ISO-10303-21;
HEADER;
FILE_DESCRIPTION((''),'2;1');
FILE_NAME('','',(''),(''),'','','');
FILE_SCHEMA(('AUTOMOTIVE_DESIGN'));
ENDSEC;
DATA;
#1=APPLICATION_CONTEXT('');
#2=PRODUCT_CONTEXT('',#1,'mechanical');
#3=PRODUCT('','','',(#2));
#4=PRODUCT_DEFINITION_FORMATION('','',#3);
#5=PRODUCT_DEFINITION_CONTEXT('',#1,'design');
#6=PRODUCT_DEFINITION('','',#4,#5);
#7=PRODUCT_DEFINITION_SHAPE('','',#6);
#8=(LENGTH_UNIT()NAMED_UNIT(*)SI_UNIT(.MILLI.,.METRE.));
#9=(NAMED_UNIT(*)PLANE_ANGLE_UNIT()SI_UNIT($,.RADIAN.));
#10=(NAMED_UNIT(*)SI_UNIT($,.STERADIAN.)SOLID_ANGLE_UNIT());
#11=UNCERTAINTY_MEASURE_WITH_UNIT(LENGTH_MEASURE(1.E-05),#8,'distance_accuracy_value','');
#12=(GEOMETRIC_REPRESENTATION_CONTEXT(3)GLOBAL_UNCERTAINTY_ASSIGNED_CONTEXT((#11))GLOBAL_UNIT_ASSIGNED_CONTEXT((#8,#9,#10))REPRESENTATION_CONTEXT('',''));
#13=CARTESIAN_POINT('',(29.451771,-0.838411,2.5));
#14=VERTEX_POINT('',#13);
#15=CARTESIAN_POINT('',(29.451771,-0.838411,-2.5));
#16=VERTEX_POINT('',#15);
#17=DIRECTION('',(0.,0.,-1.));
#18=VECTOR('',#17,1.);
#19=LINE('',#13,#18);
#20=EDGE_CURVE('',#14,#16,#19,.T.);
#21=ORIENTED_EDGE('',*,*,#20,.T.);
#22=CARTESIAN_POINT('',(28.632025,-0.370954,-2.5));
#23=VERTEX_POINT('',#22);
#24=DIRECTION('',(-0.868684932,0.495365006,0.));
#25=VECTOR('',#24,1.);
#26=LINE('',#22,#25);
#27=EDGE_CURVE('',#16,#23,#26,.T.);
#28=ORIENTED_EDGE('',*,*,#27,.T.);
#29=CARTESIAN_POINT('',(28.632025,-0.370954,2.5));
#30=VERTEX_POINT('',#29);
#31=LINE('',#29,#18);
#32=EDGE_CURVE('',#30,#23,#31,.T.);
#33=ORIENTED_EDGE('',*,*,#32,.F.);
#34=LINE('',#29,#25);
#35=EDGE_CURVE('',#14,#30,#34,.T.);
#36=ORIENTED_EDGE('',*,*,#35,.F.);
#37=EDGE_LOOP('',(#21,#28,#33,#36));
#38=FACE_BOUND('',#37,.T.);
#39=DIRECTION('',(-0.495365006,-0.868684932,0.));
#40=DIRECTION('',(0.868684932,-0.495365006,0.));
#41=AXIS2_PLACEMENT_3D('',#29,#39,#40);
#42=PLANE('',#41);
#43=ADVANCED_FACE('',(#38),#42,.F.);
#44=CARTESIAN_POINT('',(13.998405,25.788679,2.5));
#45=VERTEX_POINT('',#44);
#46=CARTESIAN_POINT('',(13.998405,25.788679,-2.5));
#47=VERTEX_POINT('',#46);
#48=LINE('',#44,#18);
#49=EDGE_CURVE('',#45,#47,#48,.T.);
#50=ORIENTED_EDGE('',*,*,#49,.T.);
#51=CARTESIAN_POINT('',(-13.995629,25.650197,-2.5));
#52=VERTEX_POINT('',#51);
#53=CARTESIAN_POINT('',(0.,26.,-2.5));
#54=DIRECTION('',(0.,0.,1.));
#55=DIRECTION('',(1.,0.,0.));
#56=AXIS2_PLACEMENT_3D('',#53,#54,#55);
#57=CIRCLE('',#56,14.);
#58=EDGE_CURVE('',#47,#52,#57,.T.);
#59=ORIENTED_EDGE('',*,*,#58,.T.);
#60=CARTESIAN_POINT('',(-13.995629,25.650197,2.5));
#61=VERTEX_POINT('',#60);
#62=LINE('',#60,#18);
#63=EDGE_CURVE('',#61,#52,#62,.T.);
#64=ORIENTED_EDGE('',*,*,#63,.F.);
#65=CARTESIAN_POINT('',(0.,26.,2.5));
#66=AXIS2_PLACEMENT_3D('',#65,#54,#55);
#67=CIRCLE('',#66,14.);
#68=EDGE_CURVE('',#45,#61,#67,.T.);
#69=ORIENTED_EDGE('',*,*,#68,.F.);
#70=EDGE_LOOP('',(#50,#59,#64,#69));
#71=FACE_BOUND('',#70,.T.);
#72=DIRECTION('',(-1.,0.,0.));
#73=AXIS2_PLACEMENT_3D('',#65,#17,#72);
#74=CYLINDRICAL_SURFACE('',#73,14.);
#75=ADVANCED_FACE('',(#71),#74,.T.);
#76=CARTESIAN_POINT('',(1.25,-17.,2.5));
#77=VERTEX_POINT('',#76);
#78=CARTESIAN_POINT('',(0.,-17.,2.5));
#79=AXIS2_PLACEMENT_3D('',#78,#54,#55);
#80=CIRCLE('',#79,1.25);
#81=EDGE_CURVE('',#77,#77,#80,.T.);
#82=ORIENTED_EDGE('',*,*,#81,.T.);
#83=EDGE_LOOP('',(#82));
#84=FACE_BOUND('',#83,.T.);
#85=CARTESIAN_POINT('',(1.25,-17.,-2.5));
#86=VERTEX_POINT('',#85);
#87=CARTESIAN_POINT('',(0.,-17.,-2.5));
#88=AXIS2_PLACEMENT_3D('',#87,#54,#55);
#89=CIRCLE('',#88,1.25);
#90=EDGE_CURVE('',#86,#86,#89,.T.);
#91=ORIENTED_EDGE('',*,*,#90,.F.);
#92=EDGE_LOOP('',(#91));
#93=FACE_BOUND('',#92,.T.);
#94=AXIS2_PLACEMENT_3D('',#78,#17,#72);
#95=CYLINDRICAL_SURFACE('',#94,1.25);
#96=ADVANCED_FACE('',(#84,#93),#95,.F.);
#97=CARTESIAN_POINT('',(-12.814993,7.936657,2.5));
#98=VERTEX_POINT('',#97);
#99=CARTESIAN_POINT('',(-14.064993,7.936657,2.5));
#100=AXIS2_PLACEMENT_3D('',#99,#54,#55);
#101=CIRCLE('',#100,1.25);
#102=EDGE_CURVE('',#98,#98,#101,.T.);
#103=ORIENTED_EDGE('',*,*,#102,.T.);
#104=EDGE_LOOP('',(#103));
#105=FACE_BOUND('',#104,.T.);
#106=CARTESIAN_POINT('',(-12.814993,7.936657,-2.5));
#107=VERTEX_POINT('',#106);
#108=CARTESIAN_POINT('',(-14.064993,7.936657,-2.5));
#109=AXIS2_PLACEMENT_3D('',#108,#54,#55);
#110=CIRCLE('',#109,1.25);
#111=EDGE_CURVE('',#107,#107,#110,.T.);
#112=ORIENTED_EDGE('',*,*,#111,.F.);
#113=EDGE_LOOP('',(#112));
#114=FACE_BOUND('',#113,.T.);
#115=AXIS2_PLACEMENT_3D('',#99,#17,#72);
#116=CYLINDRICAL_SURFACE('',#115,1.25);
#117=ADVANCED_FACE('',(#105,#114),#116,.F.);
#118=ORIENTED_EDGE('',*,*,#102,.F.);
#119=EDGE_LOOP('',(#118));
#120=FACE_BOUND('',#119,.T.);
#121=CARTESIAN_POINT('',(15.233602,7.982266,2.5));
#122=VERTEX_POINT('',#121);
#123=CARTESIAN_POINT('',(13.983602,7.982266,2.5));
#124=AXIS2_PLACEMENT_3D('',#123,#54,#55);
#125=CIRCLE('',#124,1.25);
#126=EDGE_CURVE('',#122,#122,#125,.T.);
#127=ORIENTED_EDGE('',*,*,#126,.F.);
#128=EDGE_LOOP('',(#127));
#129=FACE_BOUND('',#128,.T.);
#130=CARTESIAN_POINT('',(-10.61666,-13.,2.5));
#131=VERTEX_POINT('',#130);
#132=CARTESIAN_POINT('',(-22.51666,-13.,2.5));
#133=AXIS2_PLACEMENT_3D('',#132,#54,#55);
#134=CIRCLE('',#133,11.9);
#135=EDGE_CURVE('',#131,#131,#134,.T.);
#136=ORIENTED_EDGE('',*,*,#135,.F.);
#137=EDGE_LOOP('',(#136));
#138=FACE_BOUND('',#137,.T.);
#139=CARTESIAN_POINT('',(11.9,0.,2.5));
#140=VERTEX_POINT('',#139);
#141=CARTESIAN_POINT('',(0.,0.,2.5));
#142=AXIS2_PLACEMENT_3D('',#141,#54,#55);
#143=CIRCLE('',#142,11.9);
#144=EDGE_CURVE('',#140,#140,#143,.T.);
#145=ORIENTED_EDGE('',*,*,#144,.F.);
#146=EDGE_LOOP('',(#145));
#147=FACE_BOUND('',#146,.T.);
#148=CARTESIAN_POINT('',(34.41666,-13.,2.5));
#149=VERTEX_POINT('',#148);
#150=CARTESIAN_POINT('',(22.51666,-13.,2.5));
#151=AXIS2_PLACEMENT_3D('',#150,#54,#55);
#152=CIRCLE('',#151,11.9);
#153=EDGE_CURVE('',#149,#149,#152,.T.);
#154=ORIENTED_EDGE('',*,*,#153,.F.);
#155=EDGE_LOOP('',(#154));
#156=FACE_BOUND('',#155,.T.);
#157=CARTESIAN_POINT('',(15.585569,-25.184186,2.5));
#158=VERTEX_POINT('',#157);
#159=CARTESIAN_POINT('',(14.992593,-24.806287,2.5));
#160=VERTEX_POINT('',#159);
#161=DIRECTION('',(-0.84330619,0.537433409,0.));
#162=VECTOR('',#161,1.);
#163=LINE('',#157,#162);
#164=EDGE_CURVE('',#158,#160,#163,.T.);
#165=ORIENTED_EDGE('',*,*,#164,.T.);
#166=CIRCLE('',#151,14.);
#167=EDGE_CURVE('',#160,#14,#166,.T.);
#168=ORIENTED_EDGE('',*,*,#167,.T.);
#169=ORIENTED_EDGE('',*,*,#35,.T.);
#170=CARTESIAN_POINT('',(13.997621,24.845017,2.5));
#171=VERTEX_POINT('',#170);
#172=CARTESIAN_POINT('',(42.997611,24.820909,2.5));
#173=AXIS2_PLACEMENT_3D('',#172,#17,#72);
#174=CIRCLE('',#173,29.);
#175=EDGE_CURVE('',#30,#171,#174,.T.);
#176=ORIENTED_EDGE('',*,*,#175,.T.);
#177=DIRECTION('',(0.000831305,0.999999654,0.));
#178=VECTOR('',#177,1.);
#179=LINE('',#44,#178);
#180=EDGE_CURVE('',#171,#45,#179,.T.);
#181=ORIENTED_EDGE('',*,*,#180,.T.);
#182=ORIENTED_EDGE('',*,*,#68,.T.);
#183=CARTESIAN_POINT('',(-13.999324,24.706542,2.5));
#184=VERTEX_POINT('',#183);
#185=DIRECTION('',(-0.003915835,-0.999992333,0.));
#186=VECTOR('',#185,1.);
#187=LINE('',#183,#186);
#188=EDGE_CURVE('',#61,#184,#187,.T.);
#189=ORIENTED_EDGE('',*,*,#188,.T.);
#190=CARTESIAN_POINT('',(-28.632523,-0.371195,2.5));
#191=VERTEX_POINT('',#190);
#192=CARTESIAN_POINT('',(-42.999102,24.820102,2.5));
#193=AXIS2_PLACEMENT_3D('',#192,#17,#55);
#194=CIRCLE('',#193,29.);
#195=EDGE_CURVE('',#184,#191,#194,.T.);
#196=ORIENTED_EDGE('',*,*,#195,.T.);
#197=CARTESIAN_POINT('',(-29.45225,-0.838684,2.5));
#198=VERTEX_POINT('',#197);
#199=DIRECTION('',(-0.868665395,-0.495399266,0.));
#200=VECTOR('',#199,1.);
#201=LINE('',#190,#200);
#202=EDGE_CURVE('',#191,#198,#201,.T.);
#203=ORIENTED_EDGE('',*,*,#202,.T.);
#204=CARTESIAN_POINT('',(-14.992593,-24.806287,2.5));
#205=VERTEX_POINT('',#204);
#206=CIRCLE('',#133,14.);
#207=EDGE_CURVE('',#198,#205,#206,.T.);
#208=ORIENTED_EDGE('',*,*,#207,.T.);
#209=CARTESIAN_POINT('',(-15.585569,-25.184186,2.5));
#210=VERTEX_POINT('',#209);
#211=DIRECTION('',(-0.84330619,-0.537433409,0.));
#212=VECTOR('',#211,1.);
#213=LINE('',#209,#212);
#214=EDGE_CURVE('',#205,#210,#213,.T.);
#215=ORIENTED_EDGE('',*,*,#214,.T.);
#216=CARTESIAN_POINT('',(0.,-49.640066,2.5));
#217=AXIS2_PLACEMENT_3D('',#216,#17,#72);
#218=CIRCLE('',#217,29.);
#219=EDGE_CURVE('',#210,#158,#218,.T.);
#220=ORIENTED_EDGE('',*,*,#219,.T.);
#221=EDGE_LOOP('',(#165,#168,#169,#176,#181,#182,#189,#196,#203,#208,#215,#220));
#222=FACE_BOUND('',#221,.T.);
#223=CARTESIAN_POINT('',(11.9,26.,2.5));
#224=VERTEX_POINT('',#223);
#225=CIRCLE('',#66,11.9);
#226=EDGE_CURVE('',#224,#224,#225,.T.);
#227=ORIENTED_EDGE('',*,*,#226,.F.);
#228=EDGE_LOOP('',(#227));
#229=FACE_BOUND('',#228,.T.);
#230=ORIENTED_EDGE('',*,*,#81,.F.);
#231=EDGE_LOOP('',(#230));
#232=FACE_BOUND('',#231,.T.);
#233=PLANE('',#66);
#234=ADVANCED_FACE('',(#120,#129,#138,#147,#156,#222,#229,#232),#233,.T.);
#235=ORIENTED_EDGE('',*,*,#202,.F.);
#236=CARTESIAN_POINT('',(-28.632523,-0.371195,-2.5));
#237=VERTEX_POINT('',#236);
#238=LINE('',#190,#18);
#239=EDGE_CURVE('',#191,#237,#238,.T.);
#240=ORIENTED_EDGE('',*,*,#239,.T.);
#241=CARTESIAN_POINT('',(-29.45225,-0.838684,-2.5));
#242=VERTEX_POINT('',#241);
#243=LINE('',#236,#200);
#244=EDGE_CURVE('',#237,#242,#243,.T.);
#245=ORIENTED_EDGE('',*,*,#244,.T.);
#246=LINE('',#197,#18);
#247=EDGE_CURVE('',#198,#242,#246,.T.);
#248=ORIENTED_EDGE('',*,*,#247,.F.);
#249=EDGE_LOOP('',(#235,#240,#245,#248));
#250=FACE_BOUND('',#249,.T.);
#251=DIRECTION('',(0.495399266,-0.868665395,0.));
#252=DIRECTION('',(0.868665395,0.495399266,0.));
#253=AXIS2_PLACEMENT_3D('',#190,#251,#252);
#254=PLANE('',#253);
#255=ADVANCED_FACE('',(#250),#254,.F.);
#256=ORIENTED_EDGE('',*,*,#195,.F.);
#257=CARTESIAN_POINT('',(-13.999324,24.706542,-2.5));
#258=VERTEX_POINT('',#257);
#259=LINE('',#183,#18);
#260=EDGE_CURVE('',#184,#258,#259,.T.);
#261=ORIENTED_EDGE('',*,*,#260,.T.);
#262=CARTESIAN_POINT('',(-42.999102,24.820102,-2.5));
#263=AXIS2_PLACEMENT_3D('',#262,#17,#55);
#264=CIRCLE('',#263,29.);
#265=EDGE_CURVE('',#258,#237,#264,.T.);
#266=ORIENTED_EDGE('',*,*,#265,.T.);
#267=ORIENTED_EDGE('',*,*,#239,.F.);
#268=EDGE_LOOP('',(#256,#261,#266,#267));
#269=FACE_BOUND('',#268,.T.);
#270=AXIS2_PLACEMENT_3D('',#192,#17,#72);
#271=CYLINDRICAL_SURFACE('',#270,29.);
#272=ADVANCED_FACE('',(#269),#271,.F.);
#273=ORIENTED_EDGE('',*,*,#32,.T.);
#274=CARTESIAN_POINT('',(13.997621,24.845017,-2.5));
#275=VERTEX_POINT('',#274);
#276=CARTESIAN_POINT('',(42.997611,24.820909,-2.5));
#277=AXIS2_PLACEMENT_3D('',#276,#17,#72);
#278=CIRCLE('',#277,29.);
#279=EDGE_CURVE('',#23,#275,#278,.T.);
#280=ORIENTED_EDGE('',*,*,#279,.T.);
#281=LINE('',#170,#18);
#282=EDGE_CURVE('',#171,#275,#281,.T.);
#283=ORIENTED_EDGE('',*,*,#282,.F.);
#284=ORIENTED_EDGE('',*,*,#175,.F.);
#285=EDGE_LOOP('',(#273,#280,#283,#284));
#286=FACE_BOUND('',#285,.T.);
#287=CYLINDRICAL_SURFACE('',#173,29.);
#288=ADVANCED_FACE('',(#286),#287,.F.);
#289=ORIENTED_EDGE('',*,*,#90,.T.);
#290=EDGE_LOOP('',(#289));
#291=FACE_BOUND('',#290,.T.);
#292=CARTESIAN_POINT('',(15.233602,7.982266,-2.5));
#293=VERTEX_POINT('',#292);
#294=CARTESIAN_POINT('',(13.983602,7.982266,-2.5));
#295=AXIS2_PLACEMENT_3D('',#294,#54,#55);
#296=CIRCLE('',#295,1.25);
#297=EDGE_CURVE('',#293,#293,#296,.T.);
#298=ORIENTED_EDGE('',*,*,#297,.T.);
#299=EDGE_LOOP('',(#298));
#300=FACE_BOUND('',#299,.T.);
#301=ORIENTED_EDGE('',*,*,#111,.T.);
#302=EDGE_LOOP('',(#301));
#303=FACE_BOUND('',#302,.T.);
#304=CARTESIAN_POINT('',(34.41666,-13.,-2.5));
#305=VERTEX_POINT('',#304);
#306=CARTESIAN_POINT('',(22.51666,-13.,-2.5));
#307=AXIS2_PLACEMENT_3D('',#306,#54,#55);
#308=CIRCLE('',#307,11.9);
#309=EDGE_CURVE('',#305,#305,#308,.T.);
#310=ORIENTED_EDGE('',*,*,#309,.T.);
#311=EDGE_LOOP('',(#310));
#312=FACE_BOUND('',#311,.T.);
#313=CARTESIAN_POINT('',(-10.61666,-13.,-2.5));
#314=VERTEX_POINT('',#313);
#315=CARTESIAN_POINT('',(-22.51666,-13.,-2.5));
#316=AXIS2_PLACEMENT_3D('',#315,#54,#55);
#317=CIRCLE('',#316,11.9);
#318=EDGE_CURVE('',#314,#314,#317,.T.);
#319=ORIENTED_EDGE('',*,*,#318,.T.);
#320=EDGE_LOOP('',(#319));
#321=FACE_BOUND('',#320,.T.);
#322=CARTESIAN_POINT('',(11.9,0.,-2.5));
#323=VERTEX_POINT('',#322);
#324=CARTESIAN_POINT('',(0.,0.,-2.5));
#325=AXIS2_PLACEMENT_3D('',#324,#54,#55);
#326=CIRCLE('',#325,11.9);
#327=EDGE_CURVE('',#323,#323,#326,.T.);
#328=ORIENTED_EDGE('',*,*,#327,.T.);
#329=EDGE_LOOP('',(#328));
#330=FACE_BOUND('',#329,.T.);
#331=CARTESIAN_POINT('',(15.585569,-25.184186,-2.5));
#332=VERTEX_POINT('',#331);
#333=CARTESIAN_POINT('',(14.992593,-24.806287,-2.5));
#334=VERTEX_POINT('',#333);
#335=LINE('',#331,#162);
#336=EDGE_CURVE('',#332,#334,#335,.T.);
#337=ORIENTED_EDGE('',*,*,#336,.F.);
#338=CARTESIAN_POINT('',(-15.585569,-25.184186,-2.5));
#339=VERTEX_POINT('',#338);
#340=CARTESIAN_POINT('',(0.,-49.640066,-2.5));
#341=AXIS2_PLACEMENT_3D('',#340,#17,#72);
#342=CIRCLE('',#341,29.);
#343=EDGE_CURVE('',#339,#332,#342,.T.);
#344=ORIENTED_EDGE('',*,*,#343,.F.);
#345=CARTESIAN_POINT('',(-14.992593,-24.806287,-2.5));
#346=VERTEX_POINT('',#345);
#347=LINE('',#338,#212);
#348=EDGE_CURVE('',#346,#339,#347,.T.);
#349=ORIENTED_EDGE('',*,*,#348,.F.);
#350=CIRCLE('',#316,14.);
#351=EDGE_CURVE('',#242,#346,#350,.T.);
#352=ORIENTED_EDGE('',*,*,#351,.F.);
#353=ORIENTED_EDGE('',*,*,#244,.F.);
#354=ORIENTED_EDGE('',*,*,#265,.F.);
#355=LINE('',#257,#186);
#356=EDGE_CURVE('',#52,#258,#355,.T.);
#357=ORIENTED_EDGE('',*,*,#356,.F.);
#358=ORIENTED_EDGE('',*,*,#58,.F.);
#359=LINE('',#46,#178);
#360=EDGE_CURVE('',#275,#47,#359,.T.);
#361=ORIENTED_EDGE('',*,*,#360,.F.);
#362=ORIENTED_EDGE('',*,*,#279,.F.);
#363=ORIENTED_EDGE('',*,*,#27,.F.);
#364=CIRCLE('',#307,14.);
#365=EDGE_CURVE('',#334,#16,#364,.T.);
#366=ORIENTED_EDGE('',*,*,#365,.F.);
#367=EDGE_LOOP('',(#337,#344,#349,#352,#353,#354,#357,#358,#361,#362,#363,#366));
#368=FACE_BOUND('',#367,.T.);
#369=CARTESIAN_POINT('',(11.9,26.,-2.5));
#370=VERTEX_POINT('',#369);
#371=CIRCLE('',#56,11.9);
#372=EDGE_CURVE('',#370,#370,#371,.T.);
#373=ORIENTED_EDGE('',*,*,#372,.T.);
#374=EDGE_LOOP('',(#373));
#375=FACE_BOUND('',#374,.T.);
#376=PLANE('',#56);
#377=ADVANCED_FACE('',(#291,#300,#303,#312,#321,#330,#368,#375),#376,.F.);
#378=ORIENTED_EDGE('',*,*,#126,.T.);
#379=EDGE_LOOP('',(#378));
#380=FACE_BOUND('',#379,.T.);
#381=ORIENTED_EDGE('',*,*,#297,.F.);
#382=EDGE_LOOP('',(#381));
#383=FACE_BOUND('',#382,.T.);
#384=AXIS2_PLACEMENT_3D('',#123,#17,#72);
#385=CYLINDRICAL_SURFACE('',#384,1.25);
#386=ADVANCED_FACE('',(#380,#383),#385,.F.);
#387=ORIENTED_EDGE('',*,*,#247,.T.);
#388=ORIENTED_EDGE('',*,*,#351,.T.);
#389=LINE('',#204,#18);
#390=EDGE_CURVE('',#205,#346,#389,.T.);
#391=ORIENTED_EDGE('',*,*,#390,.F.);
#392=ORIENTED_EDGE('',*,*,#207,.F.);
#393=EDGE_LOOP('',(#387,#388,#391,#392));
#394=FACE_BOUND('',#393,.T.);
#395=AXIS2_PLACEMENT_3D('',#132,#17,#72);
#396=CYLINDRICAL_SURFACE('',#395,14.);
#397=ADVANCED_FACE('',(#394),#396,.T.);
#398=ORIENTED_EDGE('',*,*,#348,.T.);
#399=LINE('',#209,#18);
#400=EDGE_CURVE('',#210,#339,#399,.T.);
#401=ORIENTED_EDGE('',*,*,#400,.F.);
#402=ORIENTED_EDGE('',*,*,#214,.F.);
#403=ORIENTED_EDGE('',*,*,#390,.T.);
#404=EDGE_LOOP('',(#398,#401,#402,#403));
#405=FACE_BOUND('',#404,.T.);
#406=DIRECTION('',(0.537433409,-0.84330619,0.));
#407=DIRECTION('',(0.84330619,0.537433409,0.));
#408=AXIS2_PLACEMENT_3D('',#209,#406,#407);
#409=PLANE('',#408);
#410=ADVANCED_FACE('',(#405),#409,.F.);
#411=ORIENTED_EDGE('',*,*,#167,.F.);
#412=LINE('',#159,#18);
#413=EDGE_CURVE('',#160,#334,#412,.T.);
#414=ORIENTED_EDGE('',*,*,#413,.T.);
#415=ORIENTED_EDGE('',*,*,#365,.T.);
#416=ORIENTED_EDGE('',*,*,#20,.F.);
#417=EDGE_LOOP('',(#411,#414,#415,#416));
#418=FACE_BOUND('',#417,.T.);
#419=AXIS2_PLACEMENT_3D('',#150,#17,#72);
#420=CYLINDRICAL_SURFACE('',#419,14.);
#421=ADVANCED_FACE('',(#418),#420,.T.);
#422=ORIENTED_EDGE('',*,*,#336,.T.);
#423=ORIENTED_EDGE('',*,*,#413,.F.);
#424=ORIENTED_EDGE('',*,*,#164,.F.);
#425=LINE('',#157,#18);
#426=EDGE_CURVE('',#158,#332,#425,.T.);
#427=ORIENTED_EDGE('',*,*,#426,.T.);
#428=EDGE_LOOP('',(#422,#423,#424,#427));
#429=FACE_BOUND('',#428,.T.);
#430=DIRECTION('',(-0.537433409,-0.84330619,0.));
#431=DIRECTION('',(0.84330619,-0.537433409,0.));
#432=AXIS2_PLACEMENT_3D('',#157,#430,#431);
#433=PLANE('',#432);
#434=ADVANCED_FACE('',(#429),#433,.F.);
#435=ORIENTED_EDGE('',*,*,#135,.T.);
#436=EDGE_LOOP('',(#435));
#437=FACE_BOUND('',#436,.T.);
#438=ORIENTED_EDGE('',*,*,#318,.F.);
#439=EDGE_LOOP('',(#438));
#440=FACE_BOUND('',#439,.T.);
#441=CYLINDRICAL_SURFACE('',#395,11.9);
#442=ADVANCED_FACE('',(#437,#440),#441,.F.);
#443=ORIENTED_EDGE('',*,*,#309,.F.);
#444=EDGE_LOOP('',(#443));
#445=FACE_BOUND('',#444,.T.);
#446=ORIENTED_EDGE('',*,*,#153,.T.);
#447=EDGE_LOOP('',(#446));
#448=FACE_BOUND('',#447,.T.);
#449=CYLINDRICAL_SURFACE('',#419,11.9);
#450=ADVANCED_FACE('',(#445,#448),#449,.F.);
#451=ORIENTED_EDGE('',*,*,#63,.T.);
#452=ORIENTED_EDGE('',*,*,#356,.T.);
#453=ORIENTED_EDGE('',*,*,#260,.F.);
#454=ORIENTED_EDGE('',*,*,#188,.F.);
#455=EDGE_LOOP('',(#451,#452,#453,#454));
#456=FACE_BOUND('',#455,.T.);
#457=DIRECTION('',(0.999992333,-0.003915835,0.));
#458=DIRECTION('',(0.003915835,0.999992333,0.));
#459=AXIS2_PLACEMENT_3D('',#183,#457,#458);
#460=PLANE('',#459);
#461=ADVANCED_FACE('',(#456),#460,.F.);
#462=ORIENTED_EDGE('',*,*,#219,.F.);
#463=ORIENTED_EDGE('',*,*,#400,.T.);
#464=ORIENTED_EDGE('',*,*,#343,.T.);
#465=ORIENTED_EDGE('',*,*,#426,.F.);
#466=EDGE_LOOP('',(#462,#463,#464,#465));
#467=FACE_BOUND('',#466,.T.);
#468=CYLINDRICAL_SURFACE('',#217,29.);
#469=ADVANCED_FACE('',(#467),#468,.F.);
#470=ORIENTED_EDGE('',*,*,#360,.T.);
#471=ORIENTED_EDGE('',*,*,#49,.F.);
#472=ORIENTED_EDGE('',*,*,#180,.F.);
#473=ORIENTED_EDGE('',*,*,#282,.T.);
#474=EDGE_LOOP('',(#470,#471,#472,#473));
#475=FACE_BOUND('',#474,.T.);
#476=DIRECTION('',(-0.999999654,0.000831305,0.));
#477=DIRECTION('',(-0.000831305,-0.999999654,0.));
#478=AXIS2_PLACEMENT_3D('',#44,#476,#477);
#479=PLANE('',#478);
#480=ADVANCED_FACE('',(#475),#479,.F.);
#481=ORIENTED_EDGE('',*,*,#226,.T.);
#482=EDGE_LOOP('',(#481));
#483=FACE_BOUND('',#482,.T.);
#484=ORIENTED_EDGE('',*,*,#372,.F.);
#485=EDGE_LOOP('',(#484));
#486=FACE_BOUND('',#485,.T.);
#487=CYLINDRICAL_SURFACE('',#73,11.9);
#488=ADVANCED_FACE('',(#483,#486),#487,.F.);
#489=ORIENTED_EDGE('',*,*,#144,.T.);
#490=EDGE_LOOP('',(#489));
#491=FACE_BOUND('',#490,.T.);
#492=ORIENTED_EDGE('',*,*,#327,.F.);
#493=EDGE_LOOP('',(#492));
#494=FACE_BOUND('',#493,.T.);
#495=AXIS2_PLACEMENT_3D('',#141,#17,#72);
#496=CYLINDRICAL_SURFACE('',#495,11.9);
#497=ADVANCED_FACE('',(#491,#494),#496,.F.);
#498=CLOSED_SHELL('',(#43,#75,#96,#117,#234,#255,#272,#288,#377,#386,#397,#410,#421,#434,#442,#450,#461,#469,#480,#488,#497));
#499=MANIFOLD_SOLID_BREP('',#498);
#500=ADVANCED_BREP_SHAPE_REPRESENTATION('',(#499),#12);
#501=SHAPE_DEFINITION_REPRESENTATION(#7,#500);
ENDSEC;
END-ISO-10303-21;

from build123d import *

# Parameters (mm, degrees)
SKETCH1_R           = 11.9
SKETCH1_R_2         = 1.25
BOSS_EXTRUDE1_DEPTH = 2.5


with BuildPart() as part:
    # Sketch1 → Boss-Extrude1 (new, symmetric)
    with BuildSketch(Plane.XY):
        with BuildLine():
            Line((13.998405034, 25.788679153), (13.997620563, 24.84501718))
            ThreePointArc((13.997620563, 24.84501718), (17.915653408, 10.264281088), (28.632025365, -0.370953675))
            Line((28.632025365, -0.370953675), (29.451770584, -0.838410955))
            ThreePointArc((29.451770584, -0.838410955), (34.50421589, -20.231771272), (14.992592767, -24.806286663))
            Line((14.992592767, -24.806286663), (15.585568871, -25.184186379))
            ThreePointArc((15.585568871, -25.184186379), (0, -20.640065896), (-15.585568871, -25.184186379))
            Line((-15.585568871, -25.184186379), (-14.992592767, -24.806286663))
            ThreePointArc((-14.992592767, -24.806286663), (-34.504073282, -20.232007658), (-29.452250217, -0.838684477))
            Line((-29.452250217, -0.838684477), (-28.632523434, -0.371194867))
            ThreePointArc((-28.632523434, -0.371194867), (-17.951478652, 10.204474397), (-13.999324478, 24.706542367))
            Line((-13.999324478, 24.706542367), (-13.995629252, 25.650197431))
            ThreePointArc((-13.995629252, 25.650197431), (-0.069254769, 39.999828705), (13.998405034, 25.788679153))
        make_face()
        Circle(SKETCH1_R, mode=Mode.SUBTRACT)
        with Locations((0, 26)):
            Circle(SKETCH1_R, mode=Mode.SUBTRACT)
        with Locations((22.516660498, -13)):
            Circle(SKETCH1_R, mode=Mode.SUBTRACT)
        with Locations((-22.516660498, -13)):
            Circle(SKETCH1_R, mode=Mode.SUBTRACT)
        with Locations((13.983602476, 7.982266036)):
            Circle(SKETCH1_R_2, mode=Mode.SUBTRACT)
        with Locations((0, -17)):
            Circle(SKETCH1_R_2, mode=Mode.SUBTRACT)
        with Locations((-14.064993078, 7.936657484)):
            Circle(SKETCH1_R_2, mode=Mode.SUBTRACT)
    extrude(amount=BOSS_EXTRUDE1_DEPTH, both=True)


solid = part.part
